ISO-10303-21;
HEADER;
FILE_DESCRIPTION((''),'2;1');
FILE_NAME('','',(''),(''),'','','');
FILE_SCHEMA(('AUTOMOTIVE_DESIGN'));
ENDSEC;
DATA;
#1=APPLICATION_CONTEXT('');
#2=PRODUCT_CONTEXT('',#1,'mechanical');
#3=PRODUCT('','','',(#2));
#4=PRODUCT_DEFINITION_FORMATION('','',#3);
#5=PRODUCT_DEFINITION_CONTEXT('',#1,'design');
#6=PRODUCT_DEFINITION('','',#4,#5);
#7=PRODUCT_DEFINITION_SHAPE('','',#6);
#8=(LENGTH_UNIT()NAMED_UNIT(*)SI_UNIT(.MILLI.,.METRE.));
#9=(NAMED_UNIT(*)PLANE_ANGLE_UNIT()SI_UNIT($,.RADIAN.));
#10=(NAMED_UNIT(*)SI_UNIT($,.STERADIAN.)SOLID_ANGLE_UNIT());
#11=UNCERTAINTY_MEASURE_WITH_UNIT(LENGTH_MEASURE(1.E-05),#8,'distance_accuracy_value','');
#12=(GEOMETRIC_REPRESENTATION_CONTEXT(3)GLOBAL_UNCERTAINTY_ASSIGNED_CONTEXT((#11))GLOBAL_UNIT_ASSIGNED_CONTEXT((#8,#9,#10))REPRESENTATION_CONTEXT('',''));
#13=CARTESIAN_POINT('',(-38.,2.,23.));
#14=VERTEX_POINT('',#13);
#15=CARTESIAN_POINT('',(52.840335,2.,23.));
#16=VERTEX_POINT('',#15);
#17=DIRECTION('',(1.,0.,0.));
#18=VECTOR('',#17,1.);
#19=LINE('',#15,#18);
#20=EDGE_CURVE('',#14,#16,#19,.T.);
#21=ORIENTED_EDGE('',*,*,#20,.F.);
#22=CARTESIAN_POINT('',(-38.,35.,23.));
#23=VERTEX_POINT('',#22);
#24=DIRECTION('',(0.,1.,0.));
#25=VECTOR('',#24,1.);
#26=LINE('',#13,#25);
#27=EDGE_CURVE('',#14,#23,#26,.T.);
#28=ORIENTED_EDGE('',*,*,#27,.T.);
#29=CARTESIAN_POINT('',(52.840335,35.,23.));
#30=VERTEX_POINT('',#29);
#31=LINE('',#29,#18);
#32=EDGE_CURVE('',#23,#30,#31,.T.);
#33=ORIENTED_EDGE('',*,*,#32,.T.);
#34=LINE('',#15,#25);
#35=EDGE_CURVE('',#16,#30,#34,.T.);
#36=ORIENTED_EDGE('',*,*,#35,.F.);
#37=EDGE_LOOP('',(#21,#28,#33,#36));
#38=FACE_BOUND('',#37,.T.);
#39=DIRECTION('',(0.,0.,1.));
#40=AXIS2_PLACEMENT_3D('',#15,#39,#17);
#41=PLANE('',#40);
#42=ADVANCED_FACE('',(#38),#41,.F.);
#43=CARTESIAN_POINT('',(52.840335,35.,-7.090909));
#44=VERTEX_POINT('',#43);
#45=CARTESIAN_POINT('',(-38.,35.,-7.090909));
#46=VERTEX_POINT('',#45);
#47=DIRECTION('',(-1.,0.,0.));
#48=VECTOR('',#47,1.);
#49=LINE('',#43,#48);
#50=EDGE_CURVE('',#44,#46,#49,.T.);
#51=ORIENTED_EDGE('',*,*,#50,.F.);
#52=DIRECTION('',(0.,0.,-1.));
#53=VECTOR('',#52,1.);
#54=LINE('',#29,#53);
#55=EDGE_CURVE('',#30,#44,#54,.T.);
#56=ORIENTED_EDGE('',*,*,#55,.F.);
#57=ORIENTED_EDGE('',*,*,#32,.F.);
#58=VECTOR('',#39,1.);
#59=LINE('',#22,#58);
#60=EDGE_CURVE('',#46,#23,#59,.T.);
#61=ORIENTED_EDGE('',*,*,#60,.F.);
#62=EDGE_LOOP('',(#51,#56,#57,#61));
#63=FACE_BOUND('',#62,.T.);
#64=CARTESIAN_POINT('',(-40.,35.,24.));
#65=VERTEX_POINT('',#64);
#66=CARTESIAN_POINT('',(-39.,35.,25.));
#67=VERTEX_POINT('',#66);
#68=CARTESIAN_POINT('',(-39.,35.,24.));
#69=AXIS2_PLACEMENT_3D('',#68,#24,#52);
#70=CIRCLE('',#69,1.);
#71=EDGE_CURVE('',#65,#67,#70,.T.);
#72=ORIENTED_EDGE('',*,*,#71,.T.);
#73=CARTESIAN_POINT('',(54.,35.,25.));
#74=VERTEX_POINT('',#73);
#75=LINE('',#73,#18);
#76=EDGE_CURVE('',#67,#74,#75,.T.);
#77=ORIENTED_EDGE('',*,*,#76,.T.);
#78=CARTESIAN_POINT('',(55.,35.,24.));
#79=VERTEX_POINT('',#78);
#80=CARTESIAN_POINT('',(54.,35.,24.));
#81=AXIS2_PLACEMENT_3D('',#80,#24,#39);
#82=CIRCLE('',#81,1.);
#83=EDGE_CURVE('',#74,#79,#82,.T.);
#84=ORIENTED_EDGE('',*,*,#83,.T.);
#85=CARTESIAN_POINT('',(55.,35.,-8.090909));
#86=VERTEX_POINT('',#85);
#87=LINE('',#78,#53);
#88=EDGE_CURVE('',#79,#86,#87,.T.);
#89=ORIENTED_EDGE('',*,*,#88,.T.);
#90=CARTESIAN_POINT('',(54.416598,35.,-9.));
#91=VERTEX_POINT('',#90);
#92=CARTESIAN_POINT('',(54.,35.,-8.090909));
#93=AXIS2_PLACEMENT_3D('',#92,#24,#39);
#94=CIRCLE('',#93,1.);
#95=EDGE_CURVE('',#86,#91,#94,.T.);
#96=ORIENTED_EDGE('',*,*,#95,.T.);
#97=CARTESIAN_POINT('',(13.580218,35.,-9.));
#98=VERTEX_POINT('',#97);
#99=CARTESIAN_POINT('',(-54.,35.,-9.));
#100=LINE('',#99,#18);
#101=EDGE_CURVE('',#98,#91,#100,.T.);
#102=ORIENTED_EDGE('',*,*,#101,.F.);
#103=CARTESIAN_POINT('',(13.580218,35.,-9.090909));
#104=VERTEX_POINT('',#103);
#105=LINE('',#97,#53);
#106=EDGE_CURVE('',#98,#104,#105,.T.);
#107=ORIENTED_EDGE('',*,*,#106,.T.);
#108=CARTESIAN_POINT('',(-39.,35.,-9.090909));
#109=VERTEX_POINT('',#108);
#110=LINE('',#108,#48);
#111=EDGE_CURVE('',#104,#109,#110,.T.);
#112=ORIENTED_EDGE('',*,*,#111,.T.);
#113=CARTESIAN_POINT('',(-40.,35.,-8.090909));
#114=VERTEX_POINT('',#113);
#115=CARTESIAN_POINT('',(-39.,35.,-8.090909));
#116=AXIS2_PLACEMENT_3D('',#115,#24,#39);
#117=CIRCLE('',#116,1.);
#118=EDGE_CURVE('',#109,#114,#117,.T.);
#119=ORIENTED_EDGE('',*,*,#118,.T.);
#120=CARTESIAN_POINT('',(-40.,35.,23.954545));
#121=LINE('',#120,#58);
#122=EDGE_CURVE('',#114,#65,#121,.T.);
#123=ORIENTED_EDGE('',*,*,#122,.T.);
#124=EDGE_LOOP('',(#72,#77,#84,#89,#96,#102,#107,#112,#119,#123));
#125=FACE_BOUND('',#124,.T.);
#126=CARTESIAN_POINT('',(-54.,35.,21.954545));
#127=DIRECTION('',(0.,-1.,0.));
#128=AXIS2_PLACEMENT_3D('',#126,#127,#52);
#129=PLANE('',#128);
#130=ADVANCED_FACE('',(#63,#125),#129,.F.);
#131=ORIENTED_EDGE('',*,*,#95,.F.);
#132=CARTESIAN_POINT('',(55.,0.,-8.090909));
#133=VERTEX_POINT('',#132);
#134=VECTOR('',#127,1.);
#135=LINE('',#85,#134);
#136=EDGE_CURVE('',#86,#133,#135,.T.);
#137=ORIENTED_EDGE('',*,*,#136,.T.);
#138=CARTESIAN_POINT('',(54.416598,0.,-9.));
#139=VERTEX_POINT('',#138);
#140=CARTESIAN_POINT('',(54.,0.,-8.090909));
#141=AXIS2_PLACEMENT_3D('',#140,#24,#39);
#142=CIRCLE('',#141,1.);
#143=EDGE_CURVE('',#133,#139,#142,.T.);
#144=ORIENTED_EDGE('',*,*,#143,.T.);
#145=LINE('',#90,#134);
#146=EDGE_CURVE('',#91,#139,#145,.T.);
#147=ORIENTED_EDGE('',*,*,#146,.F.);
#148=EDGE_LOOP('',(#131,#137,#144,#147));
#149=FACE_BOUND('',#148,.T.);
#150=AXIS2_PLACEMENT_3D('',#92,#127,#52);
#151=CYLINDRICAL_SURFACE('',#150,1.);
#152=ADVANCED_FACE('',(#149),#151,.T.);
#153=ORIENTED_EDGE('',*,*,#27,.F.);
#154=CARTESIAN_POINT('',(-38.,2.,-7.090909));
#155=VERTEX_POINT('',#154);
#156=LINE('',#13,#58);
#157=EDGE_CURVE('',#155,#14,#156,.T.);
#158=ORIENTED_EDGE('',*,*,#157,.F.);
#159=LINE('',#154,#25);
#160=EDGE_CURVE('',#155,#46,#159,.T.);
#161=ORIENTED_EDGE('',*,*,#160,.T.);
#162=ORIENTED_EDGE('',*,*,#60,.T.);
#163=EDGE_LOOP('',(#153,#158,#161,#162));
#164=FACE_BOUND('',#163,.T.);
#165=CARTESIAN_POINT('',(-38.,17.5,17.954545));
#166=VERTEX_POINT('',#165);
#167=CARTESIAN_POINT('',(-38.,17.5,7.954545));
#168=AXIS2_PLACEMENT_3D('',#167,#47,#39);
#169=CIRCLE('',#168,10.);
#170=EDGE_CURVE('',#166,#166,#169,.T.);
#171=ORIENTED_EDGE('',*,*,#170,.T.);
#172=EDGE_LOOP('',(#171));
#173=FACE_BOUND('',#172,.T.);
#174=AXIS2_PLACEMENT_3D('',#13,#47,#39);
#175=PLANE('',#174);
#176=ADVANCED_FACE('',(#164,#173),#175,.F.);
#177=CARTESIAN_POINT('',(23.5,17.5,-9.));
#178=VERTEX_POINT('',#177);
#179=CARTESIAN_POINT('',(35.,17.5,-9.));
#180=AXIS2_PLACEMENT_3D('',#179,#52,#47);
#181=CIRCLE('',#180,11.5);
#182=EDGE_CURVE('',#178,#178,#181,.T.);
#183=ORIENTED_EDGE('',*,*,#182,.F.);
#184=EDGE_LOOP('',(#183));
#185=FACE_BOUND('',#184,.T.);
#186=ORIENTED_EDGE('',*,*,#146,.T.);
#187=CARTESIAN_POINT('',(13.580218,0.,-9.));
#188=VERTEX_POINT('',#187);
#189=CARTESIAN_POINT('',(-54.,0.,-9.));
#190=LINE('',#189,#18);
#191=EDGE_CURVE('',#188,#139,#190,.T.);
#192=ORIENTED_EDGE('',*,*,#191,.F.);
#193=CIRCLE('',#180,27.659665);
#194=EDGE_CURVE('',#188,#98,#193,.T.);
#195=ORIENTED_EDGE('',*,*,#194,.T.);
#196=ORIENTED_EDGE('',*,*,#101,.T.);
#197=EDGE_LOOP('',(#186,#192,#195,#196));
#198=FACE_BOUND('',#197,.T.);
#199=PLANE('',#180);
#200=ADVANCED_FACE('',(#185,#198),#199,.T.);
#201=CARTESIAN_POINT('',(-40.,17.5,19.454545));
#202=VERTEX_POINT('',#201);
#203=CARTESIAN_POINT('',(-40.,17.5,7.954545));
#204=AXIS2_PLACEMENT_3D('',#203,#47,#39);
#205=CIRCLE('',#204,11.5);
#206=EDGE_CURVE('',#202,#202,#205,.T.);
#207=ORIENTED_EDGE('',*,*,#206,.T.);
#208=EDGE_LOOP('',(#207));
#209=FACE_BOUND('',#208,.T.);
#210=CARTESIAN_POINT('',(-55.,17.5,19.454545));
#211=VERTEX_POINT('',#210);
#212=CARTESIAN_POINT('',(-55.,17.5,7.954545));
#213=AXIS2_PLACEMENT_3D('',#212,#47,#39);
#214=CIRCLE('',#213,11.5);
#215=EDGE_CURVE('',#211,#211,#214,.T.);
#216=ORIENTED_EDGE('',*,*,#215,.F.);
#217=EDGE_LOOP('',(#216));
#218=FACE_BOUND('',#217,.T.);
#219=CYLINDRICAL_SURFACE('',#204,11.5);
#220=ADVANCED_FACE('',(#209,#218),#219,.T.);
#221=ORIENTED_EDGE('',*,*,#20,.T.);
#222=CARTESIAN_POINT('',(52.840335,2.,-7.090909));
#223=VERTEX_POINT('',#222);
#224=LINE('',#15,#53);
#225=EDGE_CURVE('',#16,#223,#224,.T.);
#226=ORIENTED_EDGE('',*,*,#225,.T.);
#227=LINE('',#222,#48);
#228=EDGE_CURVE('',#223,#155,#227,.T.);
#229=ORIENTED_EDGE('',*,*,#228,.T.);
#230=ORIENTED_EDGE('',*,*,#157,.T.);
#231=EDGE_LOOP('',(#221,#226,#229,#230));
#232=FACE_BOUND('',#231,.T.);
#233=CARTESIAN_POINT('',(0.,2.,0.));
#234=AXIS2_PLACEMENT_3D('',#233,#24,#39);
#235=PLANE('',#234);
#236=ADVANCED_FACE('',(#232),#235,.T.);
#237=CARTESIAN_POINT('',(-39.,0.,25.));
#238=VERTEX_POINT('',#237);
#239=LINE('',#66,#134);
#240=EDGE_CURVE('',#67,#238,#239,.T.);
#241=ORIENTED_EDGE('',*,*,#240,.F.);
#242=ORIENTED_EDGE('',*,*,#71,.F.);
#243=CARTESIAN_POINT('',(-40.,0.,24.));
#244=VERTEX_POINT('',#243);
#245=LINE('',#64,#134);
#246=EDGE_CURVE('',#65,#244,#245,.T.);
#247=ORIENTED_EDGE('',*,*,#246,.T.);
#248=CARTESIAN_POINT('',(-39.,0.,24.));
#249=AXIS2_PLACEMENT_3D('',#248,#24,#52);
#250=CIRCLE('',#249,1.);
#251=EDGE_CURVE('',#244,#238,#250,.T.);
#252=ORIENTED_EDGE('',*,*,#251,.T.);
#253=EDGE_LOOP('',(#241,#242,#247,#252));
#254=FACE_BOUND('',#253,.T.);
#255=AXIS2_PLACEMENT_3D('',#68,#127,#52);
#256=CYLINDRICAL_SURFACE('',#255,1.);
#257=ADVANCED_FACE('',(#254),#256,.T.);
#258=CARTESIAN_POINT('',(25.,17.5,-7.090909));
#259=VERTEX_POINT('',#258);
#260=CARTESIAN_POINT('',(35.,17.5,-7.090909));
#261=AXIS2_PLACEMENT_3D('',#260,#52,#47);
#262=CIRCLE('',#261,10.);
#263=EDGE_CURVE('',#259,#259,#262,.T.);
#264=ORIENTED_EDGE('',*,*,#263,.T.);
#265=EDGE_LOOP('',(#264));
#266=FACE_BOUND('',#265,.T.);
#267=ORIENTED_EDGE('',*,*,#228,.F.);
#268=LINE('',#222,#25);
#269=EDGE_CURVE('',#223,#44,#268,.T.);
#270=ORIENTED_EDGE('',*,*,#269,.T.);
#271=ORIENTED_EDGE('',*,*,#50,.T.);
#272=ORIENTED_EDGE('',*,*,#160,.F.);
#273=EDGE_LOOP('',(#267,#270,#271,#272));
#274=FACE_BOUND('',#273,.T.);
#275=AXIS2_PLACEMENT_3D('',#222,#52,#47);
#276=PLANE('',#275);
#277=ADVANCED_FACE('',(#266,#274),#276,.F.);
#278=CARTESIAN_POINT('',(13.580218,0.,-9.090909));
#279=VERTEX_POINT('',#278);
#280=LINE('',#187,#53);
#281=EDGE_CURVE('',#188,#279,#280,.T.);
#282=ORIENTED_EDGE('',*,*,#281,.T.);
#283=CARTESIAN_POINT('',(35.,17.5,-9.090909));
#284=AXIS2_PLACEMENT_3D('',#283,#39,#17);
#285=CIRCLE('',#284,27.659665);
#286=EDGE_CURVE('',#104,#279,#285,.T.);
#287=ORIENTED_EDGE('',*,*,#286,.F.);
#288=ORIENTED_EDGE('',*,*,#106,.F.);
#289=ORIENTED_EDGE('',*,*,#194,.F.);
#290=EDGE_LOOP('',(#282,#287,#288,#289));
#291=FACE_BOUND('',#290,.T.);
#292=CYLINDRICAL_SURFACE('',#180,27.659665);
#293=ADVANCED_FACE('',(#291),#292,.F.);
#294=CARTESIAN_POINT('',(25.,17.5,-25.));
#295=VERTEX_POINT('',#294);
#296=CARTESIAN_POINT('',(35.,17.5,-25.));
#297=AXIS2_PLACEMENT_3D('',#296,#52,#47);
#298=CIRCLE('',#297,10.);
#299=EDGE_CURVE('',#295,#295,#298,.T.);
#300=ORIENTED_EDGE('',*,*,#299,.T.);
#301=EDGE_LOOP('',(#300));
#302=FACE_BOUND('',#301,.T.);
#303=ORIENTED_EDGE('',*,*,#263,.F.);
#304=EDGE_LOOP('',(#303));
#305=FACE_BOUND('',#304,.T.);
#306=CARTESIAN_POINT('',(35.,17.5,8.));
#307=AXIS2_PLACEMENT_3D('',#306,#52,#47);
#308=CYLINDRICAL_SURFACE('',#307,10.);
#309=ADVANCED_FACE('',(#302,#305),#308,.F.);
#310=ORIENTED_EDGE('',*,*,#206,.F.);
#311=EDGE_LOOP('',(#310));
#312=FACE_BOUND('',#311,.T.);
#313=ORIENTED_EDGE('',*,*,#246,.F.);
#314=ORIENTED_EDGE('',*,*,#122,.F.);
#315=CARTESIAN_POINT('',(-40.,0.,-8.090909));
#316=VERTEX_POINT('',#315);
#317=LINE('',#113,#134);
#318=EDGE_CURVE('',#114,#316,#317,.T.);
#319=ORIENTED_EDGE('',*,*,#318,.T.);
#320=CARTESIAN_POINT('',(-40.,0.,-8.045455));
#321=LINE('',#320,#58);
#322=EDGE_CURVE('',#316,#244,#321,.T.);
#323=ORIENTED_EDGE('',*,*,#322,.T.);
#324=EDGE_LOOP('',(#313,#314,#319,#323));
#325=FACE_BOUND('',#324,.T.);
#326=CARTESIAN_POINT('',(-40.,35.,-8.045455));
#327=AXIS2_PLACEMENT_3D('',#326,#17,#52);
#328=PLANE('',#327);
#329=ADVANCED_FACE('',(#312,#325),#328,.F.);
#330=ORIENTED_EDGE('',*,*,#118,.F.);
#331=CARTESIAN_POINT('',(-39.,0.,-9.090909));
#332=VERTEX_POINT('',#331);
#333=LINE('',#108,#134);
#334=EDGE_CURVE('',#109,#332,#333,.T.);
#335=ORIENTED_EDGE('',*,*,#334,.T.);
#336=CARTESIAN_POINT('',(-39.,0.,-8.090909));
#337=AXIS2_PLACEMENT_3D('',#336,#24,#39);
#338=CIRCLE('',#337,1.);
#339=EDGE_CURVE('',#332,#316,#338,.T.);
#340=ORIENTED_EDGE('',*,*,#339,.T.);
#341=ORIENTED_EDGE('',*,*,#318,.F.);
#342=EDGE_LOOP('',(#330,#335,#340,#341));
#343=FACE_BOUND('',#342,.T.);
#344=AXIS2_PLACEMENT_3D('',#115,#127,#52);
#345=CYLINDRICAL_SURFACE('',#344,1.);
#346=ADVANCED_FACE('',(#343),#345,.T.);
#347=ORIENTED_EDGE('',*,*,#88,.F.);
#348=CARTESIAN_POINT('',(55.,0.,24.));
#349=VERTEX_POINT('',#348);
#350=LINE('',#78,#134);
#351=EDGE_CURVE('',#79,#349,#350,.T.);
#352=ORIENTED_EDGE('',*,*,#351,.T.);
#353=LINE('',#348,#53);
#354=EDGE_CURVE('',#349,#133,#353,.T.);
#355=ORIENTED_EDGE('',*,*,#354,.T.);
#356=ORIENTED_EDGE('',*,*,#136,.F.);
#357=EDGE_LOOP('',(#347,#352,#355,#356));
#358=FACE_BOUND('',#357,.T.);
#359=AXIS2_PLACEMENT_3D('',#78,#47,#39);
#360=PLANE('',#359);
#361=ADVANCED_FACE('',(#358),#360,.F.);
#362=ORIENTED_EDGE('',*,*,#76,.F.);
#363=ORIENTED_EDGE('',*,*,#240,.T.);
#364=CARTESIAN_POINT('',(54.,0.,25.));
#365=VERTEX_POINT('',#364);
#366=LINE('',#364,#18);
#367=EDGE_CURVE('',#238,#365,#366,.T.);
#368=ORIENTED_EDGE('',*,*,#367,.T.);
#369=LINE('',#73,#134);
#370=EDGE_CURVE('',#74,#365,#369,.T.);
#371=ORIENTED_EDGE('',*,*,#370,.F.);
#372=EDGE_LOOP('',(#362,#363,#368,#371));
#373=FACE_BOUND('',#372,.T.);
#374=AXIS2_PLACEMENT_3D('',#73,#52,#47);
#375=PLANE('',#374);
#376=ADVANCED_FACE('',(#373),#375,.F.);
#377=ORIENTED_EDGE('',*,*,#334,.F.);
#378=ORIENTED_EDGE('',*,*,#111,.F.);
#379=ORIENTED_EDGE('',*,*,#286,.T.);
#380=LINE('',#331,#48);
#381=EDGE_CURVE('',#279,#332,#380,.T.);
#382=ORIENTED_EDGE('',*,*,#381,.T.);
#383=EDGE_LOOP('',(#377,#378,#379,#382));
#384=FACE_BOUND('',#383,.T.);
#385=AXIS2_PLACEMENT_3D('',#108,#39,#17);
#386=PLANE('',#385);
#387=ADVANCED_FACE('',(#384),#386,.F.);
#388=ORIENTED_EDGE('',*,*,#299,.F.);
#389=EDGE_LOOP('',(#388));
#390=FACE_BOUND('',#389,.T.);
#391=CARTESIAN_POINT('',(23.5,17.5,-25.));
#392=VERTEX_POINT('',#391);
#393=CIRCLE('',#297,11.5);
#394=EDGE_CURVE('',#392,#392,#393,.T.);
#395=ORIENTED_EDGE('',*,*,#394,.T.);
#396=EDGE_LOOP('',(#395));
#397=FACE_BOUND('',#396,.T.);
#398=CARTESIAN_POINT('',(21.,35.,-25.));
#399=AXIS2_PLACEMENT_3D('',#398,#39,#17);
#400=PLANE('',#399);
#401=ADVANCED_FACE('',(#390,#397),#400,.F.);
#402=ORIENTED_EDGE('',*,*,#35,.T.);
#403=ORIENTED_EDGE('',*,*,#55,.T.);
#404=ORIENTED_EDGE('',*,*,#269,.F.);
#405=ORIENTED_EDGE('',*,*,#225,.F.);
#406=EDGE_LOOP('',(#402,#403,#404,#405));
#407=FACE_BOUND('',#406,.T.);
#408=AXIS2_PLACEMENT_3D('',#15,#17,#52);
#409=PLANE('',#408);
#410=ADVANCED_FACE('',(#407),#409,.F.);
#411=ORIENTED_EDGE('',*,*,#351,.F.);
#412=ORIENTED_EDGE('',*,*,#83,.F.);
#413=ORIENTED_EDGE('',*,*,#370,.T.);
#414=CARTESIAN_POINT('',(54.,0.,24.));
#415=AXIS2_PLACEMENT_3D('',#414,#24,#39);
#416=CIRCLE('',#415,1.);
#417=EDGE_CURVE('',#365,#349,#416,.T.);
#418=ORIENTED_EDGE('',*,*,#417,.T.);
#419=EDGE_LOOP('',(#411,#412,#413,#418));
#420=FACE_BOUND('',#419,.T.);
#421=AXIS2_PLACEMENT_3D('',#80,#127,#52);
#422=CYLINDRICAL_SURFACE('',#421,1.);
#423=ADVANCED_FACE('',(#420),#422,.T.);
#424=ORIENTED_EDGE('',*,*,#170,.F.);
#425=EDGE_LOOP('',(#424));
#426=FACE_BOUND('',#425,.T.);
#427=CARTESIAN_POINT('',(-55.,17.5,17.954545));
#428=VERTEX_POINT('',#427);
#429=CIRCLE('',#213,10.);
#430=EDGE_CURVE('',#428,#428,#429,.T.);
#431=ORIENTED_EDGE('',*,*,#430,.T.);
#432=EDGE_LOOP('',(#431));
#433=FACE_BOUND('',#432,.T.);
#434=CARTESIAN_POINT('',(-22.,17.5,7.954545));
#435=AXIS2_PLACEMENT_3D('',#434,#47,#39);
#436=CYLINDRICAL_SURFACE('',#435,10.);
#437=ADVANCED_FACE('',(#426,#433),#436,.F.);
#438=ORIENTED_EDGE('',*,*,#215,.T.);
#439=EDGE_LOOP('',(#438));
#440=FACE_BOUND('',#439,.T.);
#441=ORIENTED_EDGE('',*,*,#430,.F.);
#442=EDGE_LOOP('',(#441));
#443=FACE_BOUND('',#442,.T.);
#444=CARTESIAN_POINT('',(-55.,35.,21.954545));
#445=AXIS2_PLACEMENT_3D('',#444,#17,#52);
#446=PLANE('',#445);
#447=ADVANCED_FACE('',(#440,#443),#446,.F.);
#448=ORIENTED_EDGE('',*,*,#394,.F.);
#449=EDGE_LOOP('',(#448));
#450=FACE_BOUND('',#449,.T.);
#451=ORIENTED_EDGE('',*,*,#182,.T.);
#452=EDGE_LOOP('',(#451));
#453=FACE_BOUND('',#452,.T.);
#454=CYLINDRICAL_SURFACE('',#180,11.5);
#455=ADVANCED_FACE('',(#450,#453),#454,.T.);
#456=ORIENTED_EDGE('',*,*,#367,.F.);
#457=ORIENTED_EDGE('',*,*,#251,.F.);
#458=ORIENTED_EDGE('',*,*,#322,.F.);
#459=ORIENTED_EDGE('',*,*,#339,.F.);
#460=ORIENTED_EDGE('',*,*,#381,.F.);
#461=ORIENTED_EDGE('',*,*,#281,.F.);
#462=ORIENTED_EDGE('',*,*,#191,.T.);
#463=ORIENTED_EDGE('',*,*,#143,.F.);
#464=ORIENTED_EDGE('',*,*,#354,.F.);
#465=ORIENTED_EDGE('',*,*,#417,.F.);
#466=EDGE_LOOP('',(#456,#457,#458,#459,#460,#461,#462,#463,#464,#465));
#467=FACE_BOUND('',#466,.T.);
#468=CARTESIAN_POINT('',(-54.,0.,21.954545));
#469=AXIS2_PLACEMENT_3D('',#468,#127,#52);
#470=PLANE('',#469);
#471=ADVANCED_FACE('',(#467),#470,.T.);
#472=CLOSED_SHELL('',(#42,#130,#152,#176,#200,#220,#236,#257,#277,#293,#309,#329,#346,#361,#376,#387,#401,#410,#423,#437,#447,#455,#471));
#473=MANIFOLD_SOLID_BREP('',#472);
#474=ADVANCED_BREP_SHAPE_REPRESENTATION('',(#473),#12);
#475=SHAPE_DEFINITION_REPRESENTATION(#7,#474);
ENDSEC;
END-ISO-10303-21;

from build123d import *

# Parameters (mm, degrees)
SALIENTE_EXTRUIR1_DEPTH = 35
CROQUIS2_R              = 23.966278947
CROQUIS2_R_2            = 11.5
CORTAR_EXTRUIR1_DEPTH   = 15
CROQUIS3_R              = 27.659664681
CROQUIS3_R_2            = 11.5
CORTAR_EXTRUIR2_DEPTH   = 16
CROQUIS4_W              = 90.840335319
CROQUIS4_H              = 30.090909091
CORTAR_EXTRUIR3_DEPTH   = 33
CROQUIS5_R              = 10
CORTAR_EXTRUIR5_DEPTH   = 33
CROQUIS6_R              = 10
CORTAR_EXTRUIR6_DEPTH   = 33


with BuildPart() as part:
    # Croquis1 → Saliente-Extruir1 (new body)
    with BuildSketch(Plane(origin=(0, 0, 0), x_dir=(1, 0, 0), z_dir=(0, 1, 0))):
        with BuildLine():
            Line((54, -25), (-39, -25))
            ThreePointArc((-39, -25), (-39.707106781, -24.707106781), (-40, -24))
            Line((-40, -24), (-40, -23.954545455))
            ThreePointArc((-40, -23.954545455), (-40.292893219, -23.247438673), (-41, -22.954545455))
            Line((-41, -22.954545455), (-54, -22.954545455))
            ThreePointArc((-54, -22.954545455), (-54.707106781, -22.661652236), (-55, -21.954545455))
            Line((-55, -21.954545455), (-55, 6.045454545))
            ThreePointArc((-55, 6.045454545), (-54.707106781, 6.752561327), (-54, 7.045454545))
            Line((-54, 7.045454545), (-41, 7.045454545))
            ThreePointArc((-41, 7.045454545), (-40.292893219, 7.338347764), (-40, 8.045454545))
            Line((-40, 8.045454545), (-40, 8.090909091))
            ThreePointArc((-40, 8.090909091), (-39.707106781, 8.798015872), (-39, 9.090909091))
            Line((-39, 9.090909091), (19, 9.090909091))
            ThreePointArc((19, 9.090909091), (19.707106781, 9.38380231), (20, 10.090909091))
            Line((20, 10.090909091), (20, 24))
            ThreePointArc((20, 24), (20.292893219, 24.707106781), (21, 25))
            Line((21, 25), (49, 25))
            ThreePointArc((49, 25), (49.707106781, 24.707106781), (50, 24))
            Line((50, 24), (50, 10.090909091))
            ThreePointArc((50, 10.090909091), (50.292893219, 9.38380231), (51, 9.090909091))
            Line((51, 9.090909091), (54, 9.090909091))
            ThreePointArc((54, 9.090909091), (54.707106781, 8.798015872), (55, 8.090909091))
            Line((55, 8.090909091), (55, -24))
            ThreePointArc((55, -24), (54.707106781, -24.707106781), (54, -25))
        make_face()
    extrude(amount=SALIENTE_EXTRUIR1_DEPTH)

    # Croquis2 → Cortar-Extruir1 (cut)
    with BuildSketch(Plane.ZY.offset(55)):
        with Locations((7.954545455, 17.5)):
            Circle(CROQUIS2_R)
        with Locations((7.954545455, 17.5)):
            Circle(CROQUIS2_R_2, mode=Mode.SUBTRACT)
    extrude(amount=-CORTAR_EXTRUIR1_DEPTH, mode=Mode.SUBTRACT)

    # Croquis3 → Cortar-Extruir2 (cut)
    with BuildSketch(Plane(origin=(0, 0, -25), x_dir=(-1, 0, 0), z_dir=(0, 0, -1))):
        with Locations((-35, 17.5)):
            Circle(CROQUIS3_R)
        with Locations((-35, 17.5)):
            Circle(CROQUIS3_R_2, mode=Mode.SUBTRACT)
    extrude(amount=-CORTAR_EXTRUIR2_DEPTH, mode=Mode.SUBTRACT)

    # Croquis4 → Cortar-Extruir3 (cut)
    with BuildSketch(Plane(origin=(0, 35, 0), x_dir=(1, 0, 0), z_dir=(0, 1, 0))):
        with Locations((7.42016766, -7.954545454)):
            Rectangle(CROQUIS4_W, CROQUIS4_H)
    extrude(amount=-CORTAR_EXTRUIR3_DEPTH, mode=Mode.SUBTRACT)

    # Croquis5 → Cortar-Extruir5 (cut)
    with BuildSketch(Plane.ZY.offset(55)):
        with Locations((7.954545455, 17.5)):
            Circle(CROQUIS5_R)
    extrude(amount=-CORTAR_EXTRUIR5_DEPTH, mode=Mode.SUBTRACT)

    # Croquis6 → Cortar-Extruir6 (cut)
    with BuildSketch(Plane(origin=(0, 0, -25), x_dir=(-1, 0, 0), z_dir=(0, 0, -1))):
        with Locations((-35, 17.5)):
            Circle(CROQUIS6_R)
    extrude(amount=-CORTAR_EXTRUIR6_DEPTH, mode=Mode.SUBTRACT)


solid = part.part
